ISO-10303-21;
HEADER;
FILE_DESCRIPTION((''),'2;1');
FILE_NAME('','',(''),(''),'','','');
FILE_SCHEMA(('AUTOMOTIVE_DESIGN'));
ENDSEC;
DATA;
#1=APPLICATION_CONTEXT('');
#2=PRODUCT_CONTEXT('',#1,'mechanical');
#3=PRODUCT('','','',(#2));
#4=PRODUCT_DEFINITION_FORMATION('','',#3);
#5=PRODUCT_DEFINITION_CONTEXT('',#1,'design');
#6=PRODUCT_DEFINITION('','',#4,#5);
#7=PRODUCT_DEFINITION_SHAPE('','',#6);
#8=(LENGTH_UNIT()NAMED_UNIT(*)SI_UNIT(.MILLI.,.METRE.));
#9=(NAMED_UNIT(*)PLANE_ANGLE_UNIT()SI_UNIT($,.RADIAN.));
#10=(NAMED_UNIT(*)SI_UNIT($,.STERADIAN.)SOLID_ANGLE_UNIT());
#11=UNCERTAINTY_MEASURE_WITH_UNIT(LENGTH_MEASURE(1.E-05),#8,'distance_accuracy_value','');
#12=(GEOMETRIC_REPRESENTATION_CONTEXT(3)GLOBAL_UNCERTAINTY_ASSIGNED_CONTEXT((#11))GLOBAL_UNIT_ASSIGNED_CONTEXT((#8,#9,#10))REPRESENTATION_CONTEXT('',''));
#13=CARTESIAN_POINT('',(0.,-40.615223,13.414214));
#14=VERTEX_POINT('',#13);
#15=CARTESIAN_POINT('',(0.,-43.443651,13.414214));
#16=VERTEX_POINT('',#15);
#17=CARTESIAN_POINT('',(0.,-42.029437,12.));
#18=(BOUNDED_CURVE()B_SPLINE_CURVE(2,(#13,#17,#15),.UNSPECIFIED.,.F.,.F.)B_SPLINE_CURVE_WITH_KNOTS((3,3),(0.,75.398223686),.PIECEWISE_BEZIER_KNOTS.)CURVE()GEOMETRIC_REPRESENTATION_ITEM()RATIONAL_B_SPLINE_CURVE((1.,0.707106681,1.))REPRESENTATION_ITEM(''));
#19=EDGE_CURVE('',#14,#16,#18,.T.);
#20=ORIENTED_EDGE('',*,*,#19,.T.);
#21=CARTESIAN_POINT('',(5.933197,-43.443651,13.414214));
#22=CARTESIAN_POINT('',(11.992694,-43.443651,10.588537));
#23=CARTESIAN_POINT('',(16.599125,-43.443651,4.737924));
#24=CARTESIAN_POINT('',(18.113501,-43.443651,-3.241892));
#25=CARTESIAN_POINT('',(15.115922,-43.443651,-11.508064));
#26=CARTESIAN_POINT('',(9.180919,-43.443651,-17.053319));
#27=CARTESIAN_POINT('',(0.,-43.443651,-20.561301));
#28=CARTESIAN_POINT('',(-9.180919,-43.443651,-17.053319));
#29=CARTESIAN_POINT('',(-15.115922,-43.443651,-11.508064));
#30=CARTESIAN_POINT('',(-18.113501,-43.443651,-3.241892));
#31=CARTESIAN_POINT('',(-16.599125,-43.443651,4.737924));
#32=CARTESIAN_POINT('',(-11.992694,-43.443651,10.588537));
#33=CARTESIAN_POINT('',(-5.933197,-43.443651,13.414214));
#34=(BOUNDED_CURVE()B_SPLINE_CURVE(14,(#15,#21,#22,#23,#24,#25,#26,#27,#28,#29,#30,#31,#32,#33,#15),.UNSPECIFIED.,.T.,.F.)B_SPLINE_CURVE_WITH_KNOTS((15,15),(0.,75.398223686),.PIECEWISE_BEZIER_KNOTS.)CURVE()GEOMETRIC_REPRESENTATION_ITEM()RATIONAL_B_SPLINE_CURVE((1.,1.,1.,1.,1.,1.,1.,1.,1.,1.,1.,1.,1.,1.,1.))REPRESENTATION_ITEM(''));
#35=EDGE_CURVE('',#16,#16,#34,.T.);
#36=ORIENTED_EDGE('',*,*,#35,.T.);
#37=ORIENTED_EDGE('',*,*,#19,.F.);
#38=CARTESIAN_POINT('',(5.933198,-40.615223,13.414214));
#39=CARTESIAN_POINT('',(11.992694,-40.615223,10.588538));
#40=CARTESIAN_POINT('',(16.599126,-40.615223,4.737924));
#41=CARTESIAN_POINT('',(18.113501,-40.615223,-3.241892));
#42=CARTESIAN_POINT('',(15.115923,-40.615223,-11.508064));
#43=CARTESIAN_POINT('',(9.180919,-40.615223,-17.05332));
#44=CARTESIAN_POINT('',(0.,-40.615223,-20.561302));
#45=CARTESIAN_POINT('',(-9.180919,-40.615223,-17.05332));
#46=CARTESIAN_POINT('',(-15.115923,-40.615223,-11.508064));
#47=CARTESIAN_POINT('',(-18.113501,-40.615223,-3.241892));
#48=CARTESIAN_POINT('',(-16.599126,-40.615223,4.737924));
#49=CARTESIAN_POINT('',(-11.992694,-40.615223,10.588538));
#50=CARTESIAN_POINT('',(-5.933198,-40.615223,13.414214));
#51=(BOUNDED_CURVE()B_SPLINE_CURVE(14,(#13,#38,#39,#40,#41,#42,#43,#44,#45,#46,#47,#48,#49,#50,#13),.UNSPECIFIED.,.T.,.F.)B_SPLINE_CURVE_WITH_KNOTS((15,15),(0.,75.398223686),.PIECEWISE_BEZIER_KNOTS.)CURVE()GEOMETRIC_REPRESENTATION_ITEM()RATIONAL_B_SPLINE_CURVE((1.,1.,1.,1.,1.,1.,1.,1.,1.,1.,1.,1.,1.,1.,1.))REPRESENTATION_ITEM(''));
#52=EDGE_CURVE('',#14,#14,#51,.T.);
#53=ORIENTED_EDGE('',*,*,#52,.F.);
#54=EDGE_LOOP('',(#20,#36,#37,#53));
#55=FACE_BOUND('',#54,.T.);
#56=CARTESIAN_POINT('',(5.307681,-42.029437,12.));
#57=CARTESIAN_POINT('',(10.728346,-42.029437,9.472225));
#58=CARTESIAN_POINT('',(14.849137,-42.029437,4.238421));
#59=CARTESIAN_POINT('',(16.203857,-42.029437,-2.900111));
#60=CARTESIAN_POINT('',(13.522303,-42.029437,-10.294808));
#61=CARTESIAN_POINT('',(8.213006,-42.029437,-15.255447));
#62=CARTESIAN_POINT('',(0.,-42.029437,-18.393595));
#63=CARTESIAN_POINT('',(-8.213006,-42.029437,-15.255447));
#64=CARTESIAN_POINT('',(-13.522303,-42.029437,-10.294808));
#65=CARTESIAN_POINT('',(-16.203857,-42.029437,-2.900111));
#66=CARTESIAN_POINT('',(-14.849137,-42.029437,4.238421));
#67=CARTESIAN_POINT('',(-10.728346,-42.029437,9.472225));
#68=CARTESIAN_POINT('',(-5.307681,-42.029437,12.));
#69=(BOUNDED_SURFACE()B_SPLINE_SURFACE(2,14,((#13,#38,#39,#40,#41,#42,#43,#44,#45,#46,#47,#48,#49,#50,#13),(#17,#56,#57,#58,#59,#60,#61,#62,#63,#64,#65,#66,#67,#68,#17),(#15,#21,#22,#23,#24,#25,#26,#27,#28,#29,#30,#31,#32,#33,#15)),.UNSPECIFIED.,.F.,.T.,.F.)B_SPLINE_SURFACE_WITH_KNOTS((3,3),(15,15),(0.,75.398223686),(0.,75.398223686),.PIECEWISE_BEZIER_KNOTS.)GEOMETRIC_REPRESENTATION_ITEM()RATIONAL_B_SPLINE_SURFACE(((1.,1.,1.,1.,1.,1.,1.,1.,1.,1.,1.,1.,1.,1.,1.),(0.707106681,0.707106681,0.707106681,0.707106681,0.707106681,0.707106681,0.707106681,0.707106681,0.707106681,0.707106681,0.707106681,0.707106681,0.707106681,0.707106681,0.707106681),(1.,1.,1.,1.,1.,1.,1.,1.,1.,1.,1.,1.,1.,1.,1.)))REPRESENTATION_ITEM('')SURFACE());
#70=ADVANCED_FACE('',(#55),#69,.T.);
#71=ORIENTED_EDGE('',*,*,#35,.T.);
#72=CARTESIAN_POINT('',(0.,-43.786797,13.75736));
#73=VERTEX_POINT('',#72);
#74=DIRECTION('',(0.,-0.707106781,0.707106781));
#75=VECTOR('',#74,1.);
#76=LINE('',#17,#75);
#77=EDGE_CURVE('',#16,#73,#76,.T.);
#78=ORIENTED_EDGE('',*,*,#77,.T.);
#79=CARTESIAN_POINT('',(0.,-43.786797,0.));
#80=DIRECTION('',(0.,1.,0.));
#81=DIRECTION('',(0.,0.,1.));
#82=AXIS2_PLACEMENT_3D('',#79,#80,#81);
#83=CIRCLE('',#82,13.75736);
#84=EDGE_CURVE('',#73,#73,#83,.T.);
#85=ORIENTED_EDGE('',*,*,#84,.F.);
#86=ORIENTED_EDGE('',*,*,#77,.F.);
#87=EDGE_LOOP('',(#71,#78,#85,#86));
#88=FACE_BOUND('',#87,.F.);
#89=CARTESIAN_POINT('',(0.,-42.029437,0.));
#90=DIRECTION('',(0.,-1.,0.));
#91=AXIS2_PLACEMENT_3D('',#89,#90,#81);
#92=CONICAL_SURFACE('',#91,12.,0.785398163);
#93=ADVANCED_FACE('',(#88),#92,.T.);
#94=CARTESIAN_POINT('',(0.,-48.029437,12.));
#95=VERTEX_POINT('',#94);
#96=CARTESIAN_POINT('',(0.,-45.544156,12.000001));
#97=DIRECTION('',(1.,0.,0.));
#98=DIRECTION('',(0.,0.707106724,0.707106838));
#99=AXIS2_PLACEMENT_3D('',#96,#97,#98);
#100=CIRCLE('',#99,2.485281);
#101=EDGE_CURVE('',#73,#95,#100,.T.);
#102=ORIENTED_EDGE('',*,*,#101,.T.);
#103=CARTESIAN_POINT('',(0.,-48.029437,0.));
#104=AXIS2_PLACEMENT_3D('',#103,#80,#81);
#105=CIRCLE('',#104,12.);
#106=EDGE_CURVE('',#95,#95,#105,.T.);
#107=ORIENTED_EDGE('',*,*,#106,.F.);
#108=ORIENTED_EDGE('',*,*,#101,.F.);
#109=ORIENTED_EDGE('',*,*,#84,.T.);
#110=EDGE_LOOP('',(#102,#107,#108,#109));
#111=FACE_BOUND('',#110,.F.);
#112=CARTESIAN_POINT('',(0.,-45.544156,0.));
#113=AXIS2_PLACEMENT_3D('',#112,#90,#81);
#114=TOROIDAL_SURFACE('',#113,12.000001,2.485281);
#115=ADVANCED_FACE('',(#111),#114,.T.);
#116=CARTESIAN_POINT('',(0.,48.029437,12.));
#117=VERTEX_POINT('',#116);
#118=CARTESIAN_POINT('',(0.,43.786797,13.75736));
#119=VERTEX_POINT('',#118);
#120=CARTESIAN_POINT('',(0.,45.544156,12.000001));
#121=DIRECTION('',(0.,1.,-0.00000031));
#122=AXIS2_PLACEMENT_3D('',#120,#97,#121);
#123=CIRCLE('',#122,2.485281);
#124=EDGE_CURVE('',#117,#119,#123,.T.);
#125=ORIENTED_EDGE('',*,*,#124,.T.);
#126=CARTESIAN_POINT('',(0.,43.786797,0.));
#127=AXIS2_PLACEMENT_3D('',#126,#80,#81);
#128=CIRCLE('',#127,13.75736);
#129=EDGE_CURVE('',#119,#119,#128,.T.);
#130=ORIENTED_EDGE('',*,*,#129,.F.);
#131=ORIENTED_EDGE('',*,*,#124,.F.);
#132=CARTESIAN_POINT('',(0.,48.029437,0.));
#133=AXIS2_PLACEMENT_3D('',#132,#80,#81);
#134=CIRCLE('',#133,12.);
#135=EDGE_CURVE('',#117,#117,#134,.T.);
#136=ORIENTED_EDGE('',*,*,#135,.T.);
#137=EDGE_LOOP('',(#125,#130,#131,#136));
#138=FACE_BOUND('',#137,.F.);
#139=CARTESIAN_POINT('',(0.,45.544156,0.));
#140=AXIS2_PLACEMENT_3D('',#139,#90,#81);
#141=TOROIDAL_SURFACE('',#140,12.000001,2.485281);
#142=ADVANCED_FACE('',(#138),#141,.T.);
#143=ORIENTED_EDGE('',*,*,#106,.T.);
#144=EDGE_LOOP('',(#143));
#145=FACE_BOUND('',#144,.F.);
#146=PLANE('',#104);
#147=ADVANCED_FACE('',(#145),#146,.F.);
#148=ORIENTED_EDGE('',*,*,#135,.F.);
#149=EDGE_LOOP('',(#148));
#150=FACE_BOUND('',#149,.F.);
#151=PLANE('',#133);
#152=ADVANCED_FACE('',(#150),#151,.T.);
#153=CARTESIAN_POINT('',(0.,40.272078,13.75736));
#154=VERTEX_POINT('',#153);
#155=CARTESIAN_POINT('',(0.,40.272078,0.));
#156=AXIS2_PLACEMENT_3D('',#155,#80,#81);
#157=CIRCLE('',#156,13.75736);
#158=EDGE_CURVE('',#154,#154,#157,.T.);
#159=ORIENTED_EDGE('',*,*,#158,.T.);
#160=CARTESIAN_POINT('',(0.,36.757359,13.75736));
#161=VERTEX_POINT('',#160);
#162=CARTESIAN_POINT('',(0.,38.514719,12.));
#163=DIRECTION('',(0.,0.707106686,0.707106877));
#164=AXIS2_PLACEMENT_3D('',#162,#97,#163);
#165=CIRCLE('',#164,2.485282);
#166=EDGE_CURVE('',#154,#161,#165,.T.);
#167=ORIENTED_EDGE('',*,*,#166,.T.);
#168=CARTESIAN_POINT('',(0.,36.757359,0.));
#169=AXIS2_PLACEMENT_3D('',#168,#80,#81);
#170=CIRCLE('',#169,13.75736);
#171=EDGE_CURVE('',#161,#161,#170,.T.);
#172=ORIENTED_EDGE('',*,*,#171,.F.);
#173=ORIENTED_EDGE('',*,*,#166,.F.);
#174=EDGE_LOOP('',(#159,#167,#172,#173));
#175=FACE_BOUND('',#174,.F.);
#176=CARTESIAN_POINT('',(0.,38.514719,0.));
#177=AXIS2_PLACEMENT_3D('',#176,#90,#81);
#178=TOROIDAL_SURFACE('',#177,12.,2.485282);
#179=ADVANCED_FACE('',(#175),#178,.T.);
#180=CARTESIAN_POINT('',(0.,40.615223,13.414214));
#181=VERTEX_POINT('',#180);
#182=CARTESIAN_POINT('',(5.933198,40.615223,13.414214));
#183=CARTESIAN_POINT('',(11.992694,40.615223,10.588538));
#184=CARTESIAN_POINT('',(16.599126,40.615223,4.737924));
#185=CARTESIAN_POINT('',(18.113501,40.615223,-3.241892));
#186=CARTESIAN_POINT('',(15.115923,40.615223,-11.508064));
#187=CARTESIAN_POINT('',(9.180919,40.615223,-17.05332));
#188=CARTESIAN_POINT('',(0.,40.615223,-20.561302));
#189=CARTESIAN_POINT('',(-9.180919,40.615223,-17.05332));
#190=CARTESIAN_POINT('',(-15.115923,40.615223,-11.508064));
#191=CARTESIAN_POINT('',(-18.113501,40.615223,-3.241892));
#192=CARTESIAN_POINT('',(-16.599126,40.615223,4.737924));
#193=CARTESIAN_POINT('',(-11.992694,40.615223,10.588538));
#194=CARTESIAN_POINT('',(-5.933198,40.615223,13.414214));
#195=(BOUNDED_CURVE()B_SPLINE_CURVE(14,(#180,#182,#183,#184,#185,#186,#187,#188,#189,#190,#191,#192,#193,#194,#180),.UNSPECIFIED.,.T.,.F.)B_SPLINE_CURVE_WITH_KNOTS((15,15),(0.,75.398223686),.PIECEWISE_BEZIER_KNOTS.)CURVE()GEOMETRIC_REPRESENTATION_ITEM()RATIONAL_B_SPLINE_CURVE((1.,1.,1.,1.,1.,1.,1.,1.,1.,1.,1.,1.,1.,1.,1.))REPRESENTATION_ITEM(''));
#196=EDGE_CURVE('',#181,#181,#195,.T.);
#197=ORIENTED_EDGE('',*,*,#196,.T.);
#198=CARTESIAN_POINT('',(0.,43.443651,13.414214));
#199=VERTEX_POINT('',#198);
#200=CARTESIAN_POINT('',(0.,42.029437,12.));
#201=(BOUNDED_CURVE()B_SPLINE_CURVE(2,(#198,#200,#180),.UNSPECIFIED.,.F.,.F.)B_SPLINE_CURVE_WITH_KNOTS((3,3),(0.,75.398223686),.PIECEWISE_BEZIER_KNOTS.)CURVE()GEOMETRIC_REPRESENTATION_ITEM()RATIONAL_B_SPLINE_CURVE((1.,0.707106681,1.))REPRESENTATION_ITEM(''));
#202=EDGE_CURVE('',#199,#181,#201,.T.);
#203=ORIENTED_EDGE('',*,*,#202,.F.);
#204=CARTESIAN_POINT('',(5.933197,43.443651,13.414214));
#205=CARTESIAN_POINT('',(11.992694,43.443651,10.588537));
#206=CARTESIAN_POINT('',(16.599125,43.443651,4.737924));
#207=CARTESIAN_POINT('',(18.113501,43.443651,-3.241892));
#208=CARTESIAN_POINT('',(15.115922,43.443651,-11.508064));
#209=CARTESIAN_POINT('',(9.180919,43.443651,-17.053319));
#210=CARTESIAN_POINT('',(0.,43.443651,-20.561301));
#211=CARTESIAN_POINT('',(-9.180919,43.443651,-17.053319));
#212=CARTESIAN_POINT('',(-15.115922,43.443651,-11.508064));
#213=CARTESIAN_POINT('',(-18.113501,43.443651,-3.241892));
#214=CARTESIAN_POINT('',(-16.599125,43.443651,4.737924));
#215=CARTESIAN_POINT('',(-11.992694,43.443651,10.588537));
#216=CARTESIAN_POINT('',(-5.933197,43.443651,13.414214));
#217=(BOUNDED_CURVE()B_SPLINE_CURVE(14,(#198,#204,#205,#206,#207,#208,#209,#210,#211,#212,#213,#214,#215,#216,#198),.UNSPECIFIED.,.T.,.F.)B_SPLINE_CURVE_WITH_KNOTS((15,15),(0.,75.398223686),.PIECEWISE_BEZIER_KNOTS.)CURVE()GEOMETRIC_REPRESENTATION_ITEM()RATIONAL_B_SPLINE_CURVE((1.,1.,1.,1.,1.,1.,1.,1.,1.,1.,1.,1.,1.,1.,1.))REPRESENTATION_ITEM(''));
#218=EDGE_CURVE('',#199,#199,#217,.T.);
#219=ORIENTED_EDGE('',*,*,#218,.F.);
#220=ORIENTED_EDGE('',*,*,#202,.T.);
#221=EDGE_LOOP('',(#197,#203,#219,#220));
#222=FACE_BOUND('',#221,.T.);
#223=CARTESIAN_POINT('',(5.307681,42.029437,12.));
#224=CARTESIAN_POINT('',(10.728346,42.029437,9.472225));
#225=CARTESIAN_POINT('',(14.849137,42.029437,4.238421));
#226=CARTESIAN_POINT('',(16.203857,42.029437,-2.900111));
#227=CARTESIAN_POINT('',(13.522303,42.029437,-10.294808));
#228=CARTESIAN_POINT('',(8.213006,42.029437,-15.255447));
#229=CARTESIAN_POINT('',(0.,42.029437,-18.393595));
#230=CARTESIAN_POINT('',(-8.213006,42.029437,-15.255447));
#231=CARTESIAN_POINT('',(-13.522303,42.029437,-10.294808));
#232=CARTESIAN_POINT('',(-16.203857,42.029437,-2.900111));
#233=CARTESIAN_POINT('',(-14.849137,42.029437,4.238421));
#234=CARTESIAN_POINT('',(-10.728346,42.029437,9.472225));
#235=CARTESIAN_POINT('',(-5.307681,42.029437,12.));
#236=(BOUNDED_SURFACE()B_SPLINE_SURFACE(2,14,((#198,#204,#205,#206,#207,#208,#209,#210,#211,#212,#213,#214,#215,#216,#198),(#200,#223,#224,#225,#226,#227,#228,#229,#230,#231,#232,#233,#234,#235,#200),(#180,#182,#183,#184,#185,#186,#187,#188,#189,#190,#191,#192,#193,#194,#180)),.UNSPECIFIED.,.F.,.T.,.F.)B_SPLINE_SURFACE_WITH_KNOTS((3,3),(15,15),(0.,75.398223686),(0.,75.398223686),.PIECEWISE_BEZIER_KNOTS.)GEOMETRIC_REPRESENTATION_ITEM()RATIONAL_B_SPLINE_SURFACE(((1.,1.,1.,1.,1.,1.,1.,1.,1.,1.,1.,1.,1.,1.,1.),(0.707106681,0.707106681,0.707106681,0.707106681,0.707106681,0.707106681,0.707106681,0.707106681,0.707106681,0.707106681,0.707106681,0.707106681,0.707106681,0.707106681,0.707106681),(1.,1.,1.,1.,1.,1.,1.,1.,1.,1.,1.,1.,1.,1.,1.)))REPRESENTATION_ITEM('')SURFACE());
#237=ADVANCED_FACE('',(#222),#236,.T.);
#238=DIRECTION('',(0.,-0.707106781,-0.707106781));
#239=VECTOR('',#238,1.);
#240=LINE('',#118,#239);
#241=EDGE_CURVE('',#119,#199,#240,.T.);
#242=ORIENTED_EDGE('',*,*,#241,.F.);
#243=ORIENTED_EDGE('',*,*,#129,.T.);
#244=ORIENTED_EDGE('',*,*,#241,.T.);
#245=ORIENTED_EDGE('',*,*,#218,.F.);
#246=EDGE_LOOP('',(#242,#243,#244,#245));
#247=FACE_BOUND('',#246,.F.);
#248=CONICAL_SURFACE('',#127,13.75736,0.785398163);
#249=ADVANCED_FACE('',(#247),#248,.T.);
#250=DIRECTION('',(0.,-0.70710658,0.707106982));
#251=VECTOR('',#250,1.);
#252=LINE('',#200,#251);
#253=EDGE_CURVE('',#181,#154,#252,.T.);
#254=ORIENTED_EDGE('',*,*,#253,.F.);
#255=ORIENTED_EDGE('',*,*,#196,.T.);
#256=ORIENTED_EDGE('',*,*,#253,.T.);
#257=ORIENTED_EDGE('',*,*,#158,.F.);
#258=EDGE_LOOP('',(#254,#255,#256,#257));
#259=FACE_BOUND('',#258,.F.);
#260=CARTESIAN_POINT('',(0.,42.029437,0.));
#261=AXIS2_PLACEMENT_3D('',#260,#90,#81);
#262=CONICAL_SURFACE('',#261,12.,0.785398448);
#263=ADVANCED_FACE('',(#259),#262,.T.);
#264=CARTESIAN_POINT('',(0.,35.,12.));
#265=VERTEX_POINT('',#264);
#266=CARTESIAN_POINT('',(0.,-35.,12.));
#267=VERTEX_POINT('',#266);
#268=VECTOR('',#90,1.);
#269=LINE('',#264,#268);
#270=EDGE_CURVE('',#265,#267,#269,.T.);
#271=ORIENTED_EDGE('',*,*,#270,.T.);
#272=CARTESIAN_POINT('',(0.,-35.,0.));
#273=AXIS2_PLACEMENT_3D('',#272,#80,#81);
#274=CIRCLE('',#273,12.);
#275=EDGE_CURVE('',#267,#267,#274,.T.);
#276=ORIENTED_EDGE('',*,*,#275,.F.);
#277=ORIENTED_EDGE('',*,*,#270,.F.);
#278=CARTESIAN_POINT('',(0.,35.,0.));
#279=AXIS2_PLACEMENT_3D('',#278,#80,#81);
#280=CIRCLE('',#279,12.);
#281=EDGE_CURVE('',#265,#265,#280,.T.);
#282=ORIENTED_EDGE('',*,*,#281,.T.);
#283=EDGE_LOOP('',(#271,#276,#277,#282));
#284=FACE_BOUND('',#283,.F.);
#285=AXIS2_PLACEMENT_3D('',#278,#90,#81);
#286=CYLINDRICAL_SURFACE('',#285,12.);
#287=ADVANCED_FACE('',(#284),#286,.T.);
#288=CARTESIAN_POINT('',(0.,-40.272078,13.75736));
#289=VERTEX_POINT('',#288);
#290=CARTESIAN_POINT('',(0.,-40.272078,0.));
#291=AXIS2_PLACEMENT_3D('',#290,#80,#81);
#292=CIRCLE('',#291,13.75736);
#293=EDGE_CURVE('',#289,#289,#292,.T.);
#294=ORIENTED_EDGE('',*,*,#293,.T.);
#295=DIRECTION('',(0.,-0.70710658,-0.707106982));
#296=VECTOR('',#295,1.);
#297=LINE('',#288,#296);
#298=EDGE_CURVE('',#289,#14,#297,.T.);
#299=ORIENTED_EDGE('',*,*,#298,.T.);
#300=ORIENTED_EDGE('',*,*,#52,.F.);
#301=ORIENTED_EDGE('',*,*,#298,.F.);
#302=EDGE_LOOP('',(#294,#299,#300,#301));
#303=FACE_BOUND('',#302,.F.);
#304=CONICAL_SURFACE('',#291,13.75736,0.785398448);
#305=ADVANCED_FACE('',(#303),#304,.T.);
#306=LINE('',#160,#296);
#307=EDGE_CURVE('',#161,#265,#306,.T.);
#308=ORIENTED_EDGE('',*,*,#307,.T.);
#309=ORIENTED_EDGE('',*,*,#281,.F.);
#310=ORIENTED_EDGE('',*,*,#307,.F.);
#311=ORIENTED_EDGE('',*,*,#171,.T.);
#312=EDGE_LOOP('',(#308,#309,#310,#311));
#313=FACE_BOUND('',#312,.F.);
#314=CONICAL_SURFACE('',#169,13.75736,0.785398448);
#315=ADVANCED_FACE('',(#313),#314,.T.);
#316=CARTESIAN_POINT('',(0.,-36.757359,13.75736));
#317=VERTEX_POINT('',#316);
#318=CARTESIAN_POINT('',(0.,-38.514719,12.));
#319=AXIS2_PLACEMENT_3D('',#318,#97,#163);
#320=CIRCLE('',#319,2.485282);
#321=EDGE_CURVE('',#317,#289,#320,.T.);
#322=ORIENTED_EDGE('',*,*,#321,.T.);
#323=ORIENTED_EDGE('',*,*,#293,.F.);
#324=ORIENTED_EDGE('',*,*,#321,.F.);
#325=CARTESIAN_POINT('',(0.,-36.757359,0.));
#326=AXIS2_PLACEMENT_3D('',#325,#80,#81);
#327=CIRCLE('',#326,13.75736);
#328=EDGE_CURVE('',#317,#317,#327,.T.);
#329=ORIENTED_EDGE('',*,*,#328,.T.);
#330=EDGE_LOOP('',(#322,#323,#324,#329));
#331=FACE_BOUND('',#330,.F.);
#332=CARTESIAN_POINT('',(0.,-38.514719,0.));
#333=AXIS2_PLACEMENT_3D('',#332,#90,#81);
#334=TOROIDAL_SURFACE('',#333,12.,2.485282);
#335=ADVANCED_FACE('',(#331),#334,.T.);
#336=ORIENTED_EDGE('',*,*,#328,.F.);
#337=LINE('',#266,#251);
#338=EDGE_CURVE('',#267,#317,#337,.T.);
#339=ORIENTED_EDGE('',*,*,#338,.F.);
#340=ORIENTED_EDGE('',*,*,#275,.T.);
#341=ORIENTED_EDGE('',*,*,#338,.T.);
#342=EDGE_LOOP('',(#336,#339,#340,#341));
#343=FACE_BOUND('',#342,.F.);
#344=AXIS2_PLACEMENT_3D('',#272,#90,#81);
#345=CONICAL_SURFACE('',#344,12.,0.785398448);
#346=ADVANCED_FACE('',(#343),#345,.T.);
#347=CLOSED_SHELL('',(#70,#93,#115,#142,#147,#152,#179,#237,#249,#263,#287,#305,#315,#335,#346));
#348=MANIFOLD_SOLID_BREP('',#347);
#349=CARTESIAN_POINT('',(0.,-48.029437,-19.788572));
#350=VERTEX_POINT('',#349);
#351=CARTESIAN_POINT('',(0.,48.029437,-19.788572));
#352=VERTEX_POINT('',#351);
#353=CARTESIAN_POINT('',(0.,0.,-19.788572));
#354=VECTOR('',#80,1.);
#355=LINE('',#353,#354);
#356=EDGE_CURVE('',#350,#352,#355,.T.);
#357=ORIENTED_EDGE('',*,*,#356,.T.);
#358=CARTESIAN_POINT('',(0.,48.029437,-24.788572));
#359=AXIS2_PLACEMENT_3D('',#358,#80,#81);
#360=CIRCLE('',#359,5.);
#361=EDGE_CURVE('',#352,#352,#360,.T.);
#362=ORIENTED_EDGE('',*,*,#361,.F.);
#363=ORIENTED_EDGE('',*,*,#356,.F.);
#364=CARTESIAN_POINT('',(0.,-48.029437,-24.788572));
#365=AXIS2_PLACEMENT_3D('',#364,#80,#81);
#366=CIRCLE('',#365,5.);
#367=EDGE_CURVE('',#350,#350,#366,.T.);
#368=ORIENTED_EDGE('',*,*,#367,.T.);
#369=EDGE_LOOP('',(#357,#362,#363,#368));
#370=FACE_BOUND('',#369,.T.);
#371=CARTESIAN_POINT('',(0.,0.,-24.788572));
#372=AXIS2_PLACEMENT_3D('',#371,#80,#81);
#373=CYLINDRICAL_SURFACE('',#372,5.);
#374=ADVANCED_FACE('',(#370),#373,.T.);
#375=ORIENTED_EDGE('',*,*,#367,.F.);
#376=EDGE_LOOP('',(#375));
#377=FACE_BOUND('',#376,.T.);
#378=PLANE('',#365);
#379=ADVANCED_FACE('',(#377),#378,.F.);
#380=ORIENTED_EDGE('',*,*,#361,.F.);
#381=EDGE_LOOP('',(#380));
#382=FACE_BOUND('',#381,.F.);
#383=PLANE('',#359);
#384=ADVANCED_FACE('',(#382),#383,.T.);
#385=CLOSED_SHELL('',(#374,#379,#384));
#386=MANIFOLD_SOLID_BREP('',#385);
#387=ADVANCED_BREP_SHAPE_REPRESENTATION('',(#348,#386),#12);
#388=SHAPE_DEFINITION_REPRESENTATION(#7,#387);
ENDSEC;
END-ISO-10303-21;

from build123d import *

# Parameters (mm, degrees)
F2_R = 2
F0_W = 96.058874
F0_H = 5


with BuildPart() as f1:
    # F0 (on Right) → F1 (revolve)
    with BuildSketch(Plane.YZ):
        with BuildLine():
            Line((-48.029437, 12), (-48.029437, 0))
            Line((-48.029437, 0), (48.029437, 0))
            Line((48.029437, 0), (48.029437, 12))
            ThreePointArc((48.029437, 12), (46.495232, 14.296101), (43.786797, 13.75736))
            Line((43.786797, 13.75736), (42.029437, 12))
            Line((42.029437, 12), (40.272078, 13.75736))
            ThreePointArc((40.272078, 13.75736), (38.514718, 14.485282), (36.757359, 13.75736))
            Line((36.757359, 13.75736), (35, 12))
            Line((35, 12), (-35, 12))
            Line((-35, 12), (-36.757359, 13.75736))
            ThreePointArc((-36.757359, 13.75736), (-38.514718, 14.485282), (-40.272078, 13.75736))
            Line((-40.272078, 13.75736), (-42.029437, 12))
            Line((-42.029437, 12), (-43.786797, 13.75736))
            ThreePointArc((-43.786797, 13.75736), (-46.495232, 14.296101), (-48.029437, 12))
        make_face()
    revolve(axis=Axis((0, 0, 0), (0, 1, 0)))

    # F2
    f2_edges = [f1.edges().sort_by_distance(p)[0] for p in [
        (0, -42.029437, -12),
        (0, 42.029437, -12),
    ]]
    fillet(f2_edges, radius=F2_R)


with BuildPart() as f3:
    # F0 (on Right) → F3 (revolve)
    with BuildSketch(Plane.YZ):
        with Locations((0, -22.288572)):
            Rectangle(F0_W, F0_H)
    revolve(axis=Axis((0, 0, -24.788572), (0, 1, 0)))


solid = Compound([f1.part, f3.part])
